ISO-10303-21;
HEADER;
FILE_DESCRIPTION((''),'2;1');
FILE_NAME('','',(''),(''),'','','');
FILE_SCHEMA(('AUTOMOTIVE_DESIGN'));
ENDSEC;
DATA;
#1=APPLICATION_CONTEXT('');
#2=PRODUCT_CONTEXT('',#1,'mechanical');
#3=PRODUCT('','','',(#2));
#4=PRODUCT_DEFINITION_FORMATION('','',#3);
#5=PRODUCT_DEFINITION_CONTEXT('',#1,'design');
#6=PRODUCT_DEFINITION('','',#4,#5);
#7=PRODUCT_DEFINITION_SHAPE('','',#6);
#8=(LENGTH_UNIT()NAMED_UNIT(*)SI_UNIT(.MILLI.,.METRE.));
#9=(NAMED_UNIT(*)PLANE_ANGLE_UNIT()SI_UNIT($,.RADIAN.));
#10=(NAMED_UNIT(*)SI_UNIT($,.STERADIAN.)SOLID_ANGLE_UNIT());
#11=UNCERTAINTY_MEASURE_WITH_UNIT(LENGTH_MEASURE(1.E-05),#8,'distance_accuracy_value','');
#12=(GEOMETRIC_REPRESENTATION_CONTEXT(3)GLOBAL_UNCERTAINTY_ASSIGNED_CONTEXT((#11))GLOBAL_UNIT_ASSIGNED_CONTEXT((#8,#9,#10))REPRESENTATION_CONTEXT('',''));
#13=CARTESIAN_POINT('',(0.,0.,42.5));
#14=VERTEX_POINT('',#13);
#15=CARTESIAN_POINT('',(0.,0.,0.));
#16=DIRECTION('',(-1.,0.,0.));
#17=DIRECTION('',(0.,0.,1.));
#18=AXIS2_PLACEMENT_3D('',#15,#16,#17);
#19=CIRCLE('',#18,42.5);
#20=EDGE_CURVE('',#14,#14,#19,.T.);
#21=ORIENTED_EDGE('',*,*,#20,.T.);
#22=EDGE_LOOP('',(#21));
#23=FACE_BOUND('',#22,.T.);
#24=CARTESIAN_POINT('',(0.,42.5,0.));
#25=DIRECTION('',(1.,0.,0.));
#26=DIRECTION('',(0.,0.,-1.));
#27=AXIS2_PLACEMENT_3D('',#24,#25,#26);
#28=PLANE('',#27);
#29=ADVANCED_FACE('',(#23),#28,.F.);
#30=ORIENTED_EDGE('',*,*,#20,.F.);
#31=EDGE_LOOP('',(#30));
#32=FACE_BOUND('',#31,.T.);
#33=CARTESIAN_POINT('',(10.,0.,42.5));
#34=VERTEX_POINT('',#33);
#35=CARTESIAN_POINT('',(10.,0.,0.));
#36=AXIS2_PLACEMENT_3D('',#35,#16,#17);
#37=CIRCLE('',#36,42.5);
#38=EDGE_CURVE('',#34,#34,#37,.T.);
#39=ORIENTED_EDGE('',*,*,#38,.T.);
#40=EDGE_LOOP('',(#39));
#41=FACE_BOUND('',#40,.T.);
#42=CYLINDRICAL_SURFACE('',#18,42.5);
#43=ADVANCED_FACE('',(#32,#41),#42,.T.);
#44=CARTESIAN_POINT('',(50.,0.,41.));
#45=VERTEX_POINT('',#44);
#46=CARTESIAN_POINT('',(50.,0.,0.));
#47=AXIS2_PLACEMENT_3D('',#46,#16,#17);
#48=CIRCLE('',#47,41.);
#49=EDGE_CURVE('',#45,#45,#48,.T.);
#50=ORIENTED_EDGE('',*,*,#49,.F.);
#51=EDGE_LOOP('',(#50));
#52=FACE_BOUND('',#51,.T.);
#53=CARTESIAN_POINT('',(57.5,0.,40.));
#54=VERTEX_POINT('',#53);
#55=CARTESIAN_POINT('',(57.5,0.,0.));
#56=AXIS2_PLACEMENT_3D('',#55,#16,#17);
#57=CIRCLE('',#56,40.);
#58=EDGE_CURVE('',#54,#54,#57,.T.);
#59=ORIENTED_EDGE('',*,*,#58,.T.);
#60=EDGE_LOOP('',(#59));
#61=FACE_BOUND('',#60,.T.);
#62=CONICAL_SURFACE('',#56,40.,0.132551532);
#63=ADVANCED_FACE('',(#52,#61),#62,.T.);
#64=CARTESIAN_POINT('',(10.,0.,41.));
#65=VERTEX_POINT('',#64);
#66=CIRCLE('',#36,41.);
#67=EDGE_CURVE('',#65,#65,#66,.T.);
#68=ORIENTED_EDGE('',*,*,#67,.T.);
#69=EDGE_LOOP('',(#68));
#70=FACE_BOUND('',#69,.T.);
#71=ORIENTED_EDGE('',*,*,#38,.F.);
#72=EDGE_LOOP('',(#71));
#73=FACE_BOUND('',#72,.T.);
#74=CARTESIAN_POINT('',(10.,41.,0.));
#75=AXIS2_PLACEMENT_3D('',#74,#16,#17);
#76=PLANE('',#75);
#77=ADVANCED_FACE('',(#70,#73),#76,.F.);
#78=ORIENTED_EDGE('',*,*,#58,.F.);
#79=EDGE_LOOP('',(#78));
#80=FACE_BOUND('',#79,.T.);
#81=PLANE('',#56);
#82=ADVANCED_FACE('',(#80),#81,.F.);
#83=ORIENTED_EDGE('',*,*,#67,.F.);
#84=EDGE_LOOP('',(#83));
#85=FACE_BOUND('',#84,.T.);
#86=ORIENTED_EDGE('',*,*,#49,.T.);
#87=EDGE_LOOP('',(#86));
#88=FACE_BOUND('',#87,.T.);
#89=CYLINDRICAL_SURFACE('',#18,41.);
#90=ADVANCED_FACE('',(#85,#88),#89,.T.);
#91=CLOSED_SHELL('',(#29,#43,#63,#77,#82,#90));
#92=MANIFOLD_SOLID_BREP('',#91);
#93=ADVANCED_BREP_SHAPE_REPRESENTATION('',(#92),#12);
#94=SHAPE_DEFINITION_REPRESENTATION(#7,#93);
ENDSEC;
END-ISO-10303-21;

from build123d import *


with BuildPart() as part:
    # Sketch1 → Revolve1 (revolve)
    with BuildSketch(Plane.XY):
        Polygon((57.5, 0), (57.5, 40), (50, 41), (10, 41), (10, 42.5), (0, 42.5), (0, 0), align=None)
    revolve(axis=Axis((0, 0, 0), (1, 0, 0)))


solid = part.part
